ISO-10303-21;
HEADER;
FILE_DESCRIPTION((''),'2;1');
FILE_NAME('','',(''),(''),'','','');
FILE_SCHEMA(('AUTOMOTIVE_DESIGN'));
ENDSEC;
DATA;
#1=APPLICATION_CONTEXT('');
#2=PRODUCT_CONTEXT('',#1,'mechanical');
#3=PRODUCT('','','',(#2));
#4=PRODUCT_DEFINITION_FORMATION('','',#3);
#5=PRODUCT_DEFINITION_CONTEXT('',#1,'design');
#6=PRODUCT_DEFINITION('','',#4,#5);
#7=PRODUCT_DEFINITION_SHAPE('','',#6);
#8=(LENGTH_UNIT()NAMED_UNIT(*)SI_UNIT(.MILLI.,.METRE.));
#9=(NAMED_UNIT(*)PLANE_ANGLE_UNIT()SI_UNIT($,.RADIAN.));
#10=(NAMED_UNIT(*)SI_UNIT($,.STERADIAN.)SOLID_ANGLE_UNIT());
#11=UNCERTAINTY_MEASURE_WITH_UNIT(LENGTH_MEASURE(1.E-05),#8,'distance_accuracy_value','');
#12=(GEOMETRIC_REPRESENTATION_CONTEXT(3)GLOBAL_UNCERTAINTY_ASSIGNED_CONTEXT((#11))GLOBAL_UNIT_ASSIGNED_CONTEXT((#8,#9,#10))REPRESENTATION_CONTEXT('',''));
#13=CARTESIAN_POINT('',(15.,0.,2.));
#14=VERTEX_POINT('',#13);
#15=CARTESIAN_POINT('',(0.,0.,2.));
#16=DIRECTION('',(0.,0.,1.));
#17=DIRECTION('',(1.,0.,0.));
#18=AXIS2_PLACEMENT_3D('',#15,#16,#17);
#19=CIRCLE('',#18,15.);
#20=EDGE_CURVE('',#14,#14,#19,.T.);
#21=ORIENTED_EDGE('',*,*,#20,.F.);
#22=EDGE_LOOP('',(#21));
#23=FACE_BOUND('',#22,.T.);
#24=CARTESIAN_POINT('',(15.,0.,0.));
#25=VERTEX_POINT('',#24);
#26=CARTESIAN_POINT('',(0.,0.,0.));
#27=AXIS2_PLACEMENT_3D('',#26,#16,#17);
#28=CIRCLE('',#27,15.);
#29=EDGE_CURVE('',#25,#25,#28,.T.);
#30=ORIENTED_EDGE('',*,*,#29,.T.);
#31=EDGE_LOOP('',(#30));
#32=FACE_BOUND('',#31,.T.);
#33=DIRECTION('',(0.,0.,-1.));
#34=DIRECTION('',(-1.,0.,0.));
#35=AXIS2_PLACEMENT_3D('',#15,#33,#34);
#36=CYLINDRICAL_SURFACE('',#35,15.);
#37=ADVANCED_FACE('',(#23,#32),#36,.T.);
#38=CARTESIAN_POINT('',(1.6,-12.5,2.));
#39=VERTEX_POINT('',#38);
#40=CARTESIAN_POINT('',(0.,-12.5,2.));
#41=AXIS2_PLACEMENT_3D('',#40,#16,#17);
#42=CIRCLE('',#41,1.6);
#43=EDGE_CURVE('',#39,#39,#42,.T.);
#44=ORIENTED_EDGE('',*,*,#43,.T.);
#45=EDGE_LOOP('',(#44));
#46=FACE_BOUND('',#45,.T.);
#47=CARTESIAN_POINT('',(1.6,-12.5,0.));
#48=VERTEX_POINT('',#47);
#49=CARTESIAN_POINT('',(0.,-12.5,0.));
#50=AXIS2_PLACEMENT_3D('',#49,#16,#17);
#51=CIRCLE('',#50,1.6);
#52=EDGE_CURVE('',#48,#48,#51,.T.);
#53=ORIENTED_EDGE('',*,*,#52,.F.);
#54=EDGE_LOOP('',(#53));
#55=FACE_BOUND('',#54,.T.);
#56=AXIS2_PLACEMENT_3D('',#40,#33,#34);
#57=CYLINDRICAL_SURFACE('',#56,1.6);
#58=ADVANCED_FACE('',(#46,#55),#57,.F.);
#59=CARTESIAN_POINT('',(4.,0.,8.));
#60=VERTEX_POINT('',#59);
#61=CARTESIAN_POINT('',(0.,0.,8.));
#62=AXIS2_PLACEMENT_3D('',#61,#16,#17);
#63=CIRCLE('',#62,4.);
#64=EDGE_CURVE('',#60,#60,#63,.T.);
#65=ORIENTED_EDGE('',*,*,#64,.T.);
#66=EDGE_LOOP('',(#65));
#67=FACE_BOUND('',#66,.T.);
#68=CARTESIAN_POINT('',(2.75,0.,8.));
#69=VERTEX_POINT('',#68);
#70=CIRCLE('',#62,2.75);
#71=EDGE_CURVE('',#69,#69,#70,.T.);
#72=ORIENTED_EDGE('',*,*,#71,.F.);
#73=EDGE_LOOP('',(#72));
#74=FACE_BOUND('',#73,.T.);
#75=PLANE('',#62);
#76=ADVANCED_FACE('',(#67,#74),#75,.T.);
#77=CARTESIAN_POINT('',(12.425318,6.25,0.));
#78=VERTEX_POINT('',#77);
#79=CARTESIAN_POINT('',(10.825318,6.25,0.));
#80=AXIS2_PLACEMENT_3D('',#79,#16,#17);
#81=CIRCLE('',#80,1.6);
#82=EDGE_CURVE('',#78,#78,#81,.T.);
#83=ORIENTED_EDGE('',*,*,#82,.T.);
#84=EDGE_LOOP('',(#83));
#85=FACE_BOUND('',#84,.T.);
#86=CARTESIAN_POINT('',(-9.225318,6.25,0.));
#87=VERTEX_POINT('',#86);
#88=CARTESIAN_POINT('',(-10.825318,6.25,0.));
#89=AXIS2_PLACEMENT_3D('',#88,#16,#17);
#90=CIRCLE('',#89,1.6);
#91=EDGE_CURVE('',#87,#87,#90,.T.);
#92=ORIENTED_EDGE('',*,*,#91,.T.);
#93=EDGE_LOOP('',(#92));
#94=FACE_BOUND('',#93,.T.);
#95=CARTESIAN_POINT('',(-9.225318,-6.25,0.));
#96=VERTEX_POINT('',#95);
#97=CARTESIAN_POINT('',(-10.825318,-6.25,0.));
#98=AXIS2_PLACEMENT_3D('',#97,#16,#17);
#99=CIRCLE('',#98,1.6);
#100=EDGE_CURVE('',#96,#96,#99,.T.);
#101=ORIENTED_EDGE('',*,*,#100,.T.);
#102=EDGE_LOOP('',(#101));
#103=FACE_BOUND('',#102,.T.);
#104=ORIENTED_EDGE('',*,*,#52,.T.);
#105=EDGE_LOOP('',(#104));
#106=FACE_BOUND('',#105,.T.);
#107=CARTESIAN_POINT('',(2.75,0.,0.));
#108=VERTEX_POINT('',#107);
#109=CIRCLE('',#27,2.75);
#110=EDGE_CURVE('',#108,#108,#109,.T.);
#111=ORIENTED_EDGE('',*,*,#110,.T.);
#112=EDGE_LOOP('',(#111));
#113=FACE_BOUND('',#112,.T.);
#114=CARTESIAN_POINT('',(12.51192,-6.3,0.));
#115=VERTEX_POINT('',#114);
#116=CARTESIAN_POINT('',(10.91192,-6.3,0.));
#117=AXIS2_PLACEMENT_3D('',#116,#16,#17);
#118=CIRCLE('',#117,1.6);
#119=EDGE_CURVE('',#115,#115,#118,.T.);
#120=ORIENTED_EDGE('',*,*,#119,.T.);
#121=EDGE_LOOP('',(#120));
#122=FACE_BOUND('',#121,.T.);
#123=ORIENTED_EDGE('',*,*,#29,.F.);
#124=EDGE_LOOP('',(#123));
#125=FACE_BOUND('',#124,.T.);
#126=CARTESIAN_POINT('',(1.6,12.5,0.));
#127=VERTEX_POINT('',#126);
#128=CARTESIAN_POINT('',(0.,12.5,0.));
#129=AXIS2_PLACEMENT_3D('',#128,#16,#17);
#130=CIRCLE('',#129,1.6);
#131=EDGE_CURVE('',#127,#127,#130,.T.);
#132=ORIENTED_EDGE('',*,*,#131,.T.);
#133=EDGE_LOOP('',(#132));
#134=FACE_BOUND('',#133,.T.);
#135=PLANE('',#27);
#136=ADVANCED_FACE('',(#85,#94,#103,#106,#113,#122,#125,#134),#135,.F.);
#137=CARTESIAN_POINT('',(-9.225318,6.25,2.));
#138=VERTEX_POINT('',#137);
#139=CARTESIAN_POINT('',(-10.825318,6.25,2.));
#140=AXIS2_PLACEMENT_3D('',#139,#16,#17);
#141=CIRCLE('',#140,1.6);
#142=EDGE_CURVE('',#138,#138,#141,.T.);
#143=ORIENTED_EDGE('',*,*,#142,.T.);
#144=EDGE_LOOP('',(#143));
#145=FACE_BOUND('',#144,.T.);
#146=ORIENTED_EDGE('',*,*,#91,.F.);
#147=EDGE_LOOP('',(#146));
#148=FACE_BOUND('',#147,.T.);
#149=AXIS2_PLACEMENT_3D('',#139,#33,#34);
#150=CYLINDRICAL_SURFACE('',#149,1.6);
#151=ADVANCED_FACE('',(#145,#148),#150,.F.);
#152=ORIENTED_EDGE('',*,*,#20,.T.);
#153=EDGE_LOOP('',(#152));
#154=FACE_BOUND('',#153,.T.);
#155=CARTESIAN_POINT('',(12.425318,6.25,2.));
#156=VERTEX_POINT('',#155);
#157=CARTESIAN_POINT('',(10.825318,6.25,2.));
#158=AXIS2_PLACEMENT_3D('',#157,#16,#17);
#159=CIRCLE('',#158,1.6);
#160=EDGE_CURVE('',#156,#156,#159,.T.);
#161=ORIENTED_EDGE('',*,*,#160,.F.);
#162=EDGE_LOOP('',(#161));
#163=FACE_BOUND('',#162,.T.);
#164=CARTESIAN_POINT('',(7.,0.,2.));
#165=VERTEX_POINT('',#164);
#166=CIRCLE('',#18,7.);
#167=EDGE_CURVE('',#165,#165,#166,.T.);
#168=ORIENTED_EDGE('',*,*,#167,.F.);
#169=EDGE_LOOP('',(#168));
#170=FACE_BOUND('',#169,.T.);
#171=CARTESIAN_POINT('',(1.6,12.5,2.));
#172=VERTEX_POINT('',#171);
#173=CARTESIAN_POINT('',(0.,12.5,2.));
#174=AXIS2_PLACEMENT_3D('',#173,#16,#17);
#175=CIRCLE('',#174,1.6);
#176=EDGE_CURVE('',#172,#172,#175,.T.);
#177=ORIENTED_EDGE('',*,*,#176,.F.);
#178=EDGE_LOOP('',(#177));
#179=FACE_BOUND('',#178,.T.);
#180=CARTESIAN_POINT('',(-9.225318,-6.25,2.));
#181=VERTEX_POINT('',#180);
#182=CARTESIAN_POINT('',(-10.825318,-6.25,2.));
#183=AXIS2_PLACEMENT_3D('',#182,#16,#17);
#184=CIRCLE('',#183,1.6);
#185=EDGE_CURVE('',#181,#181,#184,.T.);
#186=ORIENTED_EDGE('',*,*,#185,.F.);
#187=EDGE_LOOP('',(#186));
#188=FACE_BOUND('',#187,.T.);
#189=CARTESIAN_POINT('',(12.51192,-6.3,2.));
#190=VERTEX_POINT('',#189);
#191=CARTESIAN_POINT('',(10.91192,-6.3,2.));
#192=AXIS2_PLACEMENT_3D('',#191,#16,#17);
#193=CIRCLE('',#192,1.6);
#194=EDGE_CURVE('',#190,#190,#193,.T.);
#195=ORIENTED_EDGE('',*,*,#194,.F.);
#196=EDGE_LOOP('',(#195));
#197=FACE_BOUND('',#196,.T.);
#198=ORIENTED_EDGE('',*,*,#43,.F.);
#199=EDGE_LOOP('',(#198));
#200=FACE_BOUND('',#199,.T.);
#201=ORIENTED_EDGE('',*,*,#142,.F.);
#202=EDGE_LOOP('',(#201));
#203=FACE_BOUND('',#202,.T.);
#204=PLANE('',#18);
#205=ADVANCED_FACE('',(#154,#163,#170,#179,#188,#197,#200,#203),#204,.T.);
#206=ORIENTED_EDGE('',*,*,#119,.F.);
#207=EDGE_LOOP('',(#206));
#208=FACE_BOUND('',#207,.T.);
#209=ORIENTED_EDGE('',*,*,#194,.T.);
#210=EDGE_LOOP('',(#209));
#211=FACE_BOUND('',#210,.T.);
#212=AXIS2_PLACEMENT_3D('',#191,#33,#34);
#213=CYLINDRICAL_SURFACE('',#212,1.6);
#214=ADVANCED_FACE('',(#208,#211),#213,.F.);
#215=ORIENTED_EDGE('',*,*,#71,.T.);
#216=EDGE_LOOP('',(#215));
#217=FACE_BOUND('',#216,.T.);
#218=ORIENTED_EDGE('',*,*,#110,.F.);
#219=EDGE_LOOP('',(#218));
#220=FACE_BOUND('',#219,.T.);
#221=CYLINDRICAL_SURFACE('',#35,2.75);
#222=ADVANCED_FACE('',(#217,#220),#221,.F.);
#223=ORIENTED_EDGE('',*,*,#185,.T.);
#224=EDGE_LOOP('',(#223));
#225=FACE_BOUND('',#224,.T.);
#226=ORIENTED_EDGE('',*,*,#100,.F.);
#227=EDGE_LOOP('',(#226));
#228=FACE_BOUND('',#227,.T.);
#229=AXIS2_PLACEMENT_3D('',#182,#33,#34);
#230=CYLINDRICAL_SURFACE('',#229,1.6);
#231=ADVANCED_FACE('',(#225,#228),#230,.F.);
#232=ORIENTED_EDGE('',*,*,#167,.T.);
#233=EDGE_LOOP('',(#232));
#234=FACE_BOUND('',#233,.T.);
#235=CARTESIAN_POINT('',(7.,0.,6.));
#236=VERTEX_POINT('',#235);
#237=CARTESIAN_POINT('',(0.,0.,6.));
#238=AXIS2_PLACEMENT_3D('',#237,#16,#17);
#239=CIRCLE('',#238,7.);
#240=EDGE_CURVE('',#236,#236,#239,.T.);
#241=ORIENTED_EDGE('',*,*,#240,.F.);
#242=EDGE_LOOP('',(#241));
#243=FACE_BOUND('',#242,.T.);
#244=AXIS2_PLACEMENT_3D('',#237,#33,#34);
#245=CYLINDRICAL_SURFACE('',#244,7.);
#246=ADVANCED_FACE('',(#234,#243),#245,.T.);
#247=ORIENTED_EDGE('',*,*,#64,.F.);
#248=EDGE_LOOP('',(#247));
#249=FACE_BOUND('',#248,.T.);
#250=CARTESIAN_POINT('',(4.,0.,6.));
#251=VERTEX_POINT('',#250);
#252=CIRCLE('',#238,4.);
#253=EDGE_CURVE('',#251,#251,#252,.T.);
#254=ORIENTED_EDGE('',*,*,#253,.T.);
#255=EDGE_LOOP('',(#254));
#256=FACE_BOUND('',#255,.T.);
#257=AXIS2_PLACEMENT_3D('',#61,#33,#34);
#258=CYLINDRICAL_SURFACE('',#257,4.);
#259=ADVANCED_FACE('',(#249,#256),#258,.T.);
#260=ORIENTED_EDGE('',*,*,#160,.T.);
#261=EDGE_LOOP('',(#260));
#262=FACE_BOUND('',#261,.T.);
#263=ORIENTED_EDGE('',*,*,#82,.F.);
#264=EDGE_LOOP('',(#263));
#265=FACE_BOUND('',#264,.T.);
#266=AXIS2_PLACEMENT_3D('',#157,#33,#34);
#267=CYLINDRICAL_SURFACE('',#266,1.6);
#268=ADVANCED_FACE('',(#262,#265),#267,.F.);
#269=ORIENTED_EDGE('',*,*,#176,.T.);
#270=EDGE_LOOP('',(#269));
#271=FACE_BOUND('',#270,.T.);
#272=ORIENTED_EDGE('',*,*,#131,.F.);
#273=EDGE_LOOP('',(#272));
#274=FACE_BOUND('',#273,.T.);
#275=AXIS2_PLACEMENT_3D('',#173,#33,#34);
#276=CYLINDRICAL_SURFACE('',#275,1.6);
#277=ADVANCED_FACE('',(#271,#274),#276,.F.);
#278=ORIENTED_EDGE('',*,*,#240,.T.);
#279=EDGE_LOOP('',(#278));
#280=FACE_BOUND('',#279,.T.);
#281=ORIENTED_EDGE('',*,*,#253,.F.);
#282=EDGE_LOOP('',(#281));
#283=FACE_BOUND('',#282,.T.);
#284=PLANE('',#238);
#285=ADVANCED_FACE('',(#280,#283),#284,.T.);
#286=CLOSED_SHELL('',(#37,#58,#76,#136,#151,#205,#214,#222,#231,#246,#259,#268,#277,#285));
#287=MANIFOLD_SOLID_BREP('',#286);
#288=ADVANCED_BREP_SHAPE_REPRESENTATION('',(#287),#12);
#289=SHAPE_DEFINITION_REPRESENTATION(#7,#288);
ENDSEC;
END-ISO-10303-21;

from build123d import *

# Parameters (mm, degrees)
ESQUISSE1_R        = 15
ESQUISSE1_R_2      = 1.6
ESQUISSE1_R_3      = 2.75
BOSS_EXTRU_1_DEPTH = 2
ESQUISSE2_R        = 7
ESQUISSE2_R_2      = 2.75
BOSS_EXTRU_2_DEPTH = 4
ESQUISSE3_R        = 4
ESQUISSE3_R_2      = 2.75
BOSS_EXTRU_3_DEPTH = 2


with BuildPart() as part:
    # Esquisse1 → Boss.-Extru.1 (new body)
    with BuildSketch(Plane.XY):
        Circle(ESQUISSE1_R)
        with Locations((0, 12.5)):
            Circle(ESQUISSE1_R_2, mode=Mode.SUBTRACT)
        with Locations((-10.825317547, 6.25)):
            Circle(ESQUISSE1_R_2, mode=Mode.SUBTRACT)
        with Locations((-10.825317547, -6.25)):
            Circle(ESQUISSE1_R_2, mode=Mode.SUBTRACT)
        with Locations((0, -12.5)):
            Circle(ESQUISSE1_R_2, mode=Mode.SUBTRACT)
        with Locations((10.911920088, -6.3)):
            Circle(ESQUISSE1_R_2, mode=Mode.SUBTRACT)
        with Locations((10.825317547, 6.25)):
            Circle(ESQUISSE1_R_2, mode=Mode.SUBTRACT)
        Circle(ESQUISSE1_R_3, mode=Mode.SUBTRACT)
    extrude(amount=BOSS_EXTRU_1_DEPTH)

    # Esquisse2 → Boss.-Extru.2 (add)
    with BuildSketch(Plane.XY.offset(2)):
        Circle(ESQUISSE2_R)
        Circle(ESQUISSE2_R_2, mode=Mode.SUBTRACT)
    extrude(amount=BOSS_EXTRU_2_DEPTH)

    # Esquisse3 → Boss.-Extru.3 (add)
    with BuildSketch(Plane.XY.offset(6)):
        Circle(ESQUISSE3_R)
        Circle(ESQUISSE3_R_2, mode=Mode.SUBTRACT)
    extrude(amount=BOSS_EXTRU_3_DEPTH)


solid = part.part
